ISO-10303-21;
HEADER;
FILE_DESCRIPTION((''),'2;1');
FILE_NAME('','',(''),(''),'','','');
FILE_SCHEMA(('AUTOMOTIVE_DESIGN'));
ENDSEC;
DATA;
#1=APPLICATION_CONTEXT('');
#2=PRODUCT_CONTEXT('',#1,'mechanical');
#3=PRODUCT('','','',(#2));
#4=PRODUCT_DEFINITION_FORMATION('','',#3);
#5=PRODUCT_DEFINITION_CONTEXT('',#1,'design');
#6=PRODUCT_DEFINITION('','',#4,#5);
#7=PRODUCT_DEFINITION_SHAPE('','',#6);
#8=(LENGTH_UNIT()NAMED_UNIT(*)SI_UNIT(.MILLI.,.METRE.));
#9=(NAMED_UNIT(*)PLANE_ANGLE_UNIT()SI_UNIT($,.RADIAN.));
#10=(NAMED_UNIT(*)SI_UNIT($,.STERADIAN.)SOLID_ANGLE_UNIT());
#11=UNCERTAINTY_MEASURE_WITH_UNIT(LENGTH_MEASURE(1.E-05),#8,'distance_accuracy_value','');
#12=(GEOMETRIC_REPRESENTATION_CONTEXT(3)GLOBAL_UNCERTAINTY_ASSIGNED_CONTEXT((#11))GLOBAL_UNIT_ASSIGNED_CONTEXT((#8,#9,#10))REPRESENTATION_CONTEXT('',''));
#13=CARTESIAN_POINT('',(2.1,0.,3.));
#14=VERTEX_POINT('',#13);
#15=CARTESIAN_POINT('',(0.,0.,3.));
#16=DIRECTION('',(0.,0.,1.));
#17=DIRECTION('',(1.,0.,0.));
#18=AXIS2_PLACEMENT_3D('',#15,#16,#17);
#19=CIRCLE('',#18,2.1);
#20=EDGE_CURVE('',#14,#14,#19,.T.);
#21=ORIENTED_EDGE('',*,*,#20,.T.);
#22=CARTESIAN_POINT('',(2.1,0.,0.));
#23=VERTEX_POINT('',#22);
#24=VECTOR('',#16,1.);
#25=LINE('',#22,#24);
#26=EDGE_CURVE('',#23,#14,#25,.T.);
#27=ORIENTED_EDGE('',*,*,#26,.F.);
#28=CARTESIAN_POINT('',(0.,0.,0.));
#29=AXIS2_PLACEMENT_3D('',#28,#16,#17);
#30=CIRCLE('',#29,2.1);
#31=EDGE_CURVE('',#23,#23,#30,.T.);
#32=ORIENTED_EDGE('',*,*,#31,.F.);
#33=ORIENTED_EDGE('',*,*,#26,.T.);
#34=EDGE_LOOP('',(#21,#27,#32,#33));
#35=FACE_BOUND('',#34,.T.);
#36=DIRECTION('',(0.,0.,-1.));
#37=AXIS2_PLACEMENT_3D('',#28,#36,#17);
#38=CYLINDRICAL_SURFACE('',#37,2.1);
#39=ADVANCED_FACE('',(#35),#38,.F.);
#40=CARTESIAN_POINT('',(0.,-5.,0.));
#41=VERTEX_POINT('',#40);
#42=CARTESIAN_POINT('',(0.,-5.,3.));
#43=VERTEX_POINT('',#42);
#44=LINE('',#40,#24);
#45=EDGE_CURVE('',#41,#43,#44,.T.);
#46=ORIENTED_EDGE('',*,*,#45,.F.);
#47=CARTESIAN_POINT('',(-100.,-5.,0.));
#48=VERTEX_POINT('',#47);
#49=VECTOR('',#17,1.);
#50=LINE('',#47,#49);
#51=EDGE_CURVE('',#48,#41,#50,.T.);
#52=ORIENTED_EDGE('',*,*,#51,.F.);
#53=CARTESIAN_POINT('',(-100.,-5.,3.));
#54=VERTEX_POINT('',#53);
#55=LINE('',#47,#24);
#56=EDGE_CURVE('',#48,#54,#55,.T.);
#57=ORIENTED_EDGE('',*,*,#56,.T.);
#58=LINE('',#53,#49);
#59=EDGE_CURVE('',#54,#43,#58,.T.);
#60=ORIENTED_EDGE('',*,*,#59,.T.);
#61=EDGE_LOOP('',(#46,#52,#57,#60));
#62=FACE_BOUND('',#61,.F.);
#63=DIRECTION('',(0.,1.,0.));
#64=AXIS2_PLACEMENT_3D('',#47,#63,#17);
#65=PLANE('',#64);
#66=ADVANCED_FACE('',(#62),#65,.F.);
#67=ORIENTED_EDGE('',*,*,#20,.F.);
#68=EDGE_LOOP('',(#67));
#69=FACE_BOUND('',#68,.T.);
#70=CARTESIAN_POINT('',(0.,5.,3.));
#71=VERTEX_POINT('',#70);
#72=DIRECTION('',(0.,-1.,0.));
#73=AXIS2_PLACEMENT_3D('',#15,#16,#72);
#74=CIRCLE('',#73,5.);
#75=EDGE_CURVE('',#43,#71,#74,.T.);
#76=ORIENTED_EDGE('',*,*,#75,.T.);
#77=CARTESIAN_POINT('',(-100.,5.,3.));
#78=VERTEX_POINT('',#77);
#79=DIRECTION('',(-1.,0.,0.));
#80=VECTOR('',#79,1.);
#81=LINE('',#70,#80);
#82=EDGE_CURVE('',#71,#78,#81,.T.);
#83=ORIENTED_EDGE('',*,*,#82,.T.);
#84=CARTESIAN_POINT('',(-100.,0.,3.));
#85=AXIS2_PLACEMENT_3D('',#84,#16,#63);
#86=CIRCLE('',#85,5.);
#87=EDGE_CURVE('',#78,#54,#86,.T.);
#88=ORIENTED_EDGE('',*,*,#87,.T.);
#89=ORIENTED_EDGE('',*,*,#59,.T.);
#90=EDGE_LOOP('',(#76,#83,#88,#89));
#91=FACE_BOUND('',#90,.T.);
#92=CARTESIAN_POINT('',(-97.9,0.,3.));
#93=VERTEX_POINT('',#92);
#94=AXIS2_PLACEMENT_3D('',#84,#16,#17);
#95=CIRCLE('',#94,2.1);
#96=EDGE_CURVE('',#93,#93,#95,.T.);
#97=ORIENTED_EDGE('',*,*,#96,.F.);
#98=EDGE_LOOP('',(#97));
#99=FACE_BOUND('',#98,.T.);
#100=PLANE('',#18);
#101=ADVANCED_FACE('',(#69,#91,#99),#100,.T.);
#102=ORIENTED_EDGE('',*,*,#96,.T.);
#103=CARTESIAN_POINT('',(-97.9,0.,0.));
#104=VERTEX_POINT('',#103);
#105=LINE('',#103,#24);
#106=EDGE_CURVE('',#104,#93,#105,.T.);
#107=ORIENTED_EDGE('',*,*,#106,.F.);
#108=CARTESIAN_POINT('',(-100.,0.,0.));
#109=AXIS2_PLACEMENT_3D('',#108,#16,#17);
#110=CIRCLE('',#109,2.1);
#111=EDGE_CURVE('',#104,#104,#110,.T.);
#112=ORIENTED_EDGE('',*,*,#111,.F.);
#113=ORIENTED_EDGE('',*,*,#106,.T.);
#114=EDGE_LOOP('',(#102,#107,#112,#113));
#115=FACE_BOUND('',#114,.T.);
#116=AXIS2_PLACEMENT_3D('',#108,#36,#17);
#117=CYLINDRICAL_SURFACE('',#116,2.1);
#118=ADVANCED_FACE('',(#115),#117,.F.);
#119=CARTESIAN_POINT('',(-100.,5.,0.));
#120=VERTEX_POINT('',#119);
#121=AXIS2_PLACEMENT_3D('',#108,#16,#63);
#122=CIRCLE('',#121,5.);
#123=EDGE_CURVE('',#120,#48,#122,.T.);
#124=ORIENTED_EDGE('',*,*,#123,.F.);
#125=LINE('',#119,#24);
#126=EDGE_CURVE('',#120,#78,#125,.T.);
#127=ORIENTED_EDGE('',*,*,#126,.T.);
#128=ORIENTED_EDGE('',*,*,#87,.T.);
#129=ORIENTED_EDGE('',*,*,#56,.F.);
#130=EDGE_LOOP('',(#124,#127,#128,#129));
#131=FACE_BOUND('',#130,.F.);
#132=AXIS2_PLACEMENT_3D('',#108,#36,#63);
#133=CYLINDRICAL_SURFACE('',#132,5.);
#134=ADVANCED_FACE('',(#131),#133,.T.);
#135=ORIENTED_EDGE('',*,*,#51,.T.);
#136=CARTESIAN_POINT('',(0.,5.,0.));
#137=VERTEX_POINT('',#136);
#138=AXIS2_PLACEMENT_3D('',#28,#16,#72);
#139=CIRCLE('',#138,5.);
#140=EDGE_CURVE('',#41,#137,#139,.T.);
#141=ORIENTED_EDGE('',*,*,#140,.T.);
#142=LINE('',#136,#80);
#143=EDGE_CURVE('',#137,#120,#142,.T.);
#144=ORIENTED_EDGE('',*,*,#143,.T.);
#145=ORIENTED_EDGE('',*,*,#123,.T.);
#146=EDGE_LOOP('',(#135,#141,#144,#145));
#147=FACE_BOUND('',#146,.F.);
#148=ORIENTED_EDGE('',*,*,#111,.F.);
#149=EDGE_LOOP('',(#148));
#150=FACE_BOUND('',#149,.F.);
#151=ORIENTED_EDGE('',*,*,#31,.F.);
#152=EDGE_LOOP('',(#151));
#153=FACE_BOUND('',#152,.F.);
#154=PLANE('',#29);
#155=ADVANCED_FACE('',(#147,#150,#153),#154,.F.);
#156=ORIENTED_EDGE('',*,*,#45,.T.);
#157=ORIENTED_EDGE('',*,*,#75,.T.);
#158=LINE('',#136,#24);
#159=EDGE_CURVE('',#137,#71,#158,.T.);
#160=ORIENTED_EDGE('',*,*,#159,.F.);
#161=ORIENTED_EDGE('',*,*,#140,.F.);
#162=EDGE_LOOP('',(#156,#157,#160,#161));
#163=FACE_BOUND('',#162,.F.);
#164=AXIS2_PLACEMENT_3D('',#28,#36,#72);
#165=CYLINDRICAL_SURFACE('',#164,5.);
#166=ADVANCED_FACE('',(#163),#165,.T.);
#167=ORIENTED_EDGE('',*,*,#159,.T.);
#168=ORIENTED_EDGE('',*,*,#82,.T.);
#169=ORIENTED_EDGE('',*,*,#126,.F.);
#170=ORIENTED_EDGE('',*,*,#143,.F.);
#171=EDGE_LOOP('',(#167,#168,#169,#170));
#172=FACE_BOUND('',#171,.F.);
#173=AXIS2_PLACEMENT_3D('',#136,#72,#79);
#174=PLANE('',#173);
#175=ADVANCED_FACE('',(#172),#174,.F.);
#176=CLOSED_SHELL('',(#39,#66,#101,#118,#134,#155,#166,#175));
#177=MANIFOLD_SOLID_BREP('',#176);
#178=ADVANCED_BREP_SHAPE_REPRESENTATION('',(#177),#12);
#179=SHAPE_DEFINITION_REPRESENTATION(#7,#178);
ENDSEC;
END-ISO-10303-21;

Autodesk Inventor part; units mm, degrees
ref_plane "YZ Plane" through (0, 0, 0) normal (1, 0, 0) x (0, 1, 0)
ref_plane "XZ Plane" through (0, 0, 0) normal (0, 1, 0) x (-1, 0, 0)
ref_plane "XY Plane" through (0, 0, 0) normal (0, 0, 1) x (1, 0, 0)
sketch "草圖1" plane through (0, 0, 0) normal (0, 0, 1) x (1, 0, 0)
  line L0 (0, 0) -> (-100, 0) construction
  line L1 (0, 5) -> (-100, 5)
  line L2 (-100, -5) -> (0, -5)
  arc A0 (0, -5) -> (0, 5) centre (0, 0) ccw
  arc A1 (-100, 5) -> (-100, -5) centre (-100, 0) ccw
  circle A2 centre (-100, 0) radius 2.1
  circle A3 centre (0, 0) radius 2.1
  point P0 (-50, 0)
  dimension "d0" = 100
  dimension "d1" = 4.2
  dimension "d2" = 4.2
  dimension "d3" = 10
extrude "擠出1" add sketch "草圖1" along normal blind 3
